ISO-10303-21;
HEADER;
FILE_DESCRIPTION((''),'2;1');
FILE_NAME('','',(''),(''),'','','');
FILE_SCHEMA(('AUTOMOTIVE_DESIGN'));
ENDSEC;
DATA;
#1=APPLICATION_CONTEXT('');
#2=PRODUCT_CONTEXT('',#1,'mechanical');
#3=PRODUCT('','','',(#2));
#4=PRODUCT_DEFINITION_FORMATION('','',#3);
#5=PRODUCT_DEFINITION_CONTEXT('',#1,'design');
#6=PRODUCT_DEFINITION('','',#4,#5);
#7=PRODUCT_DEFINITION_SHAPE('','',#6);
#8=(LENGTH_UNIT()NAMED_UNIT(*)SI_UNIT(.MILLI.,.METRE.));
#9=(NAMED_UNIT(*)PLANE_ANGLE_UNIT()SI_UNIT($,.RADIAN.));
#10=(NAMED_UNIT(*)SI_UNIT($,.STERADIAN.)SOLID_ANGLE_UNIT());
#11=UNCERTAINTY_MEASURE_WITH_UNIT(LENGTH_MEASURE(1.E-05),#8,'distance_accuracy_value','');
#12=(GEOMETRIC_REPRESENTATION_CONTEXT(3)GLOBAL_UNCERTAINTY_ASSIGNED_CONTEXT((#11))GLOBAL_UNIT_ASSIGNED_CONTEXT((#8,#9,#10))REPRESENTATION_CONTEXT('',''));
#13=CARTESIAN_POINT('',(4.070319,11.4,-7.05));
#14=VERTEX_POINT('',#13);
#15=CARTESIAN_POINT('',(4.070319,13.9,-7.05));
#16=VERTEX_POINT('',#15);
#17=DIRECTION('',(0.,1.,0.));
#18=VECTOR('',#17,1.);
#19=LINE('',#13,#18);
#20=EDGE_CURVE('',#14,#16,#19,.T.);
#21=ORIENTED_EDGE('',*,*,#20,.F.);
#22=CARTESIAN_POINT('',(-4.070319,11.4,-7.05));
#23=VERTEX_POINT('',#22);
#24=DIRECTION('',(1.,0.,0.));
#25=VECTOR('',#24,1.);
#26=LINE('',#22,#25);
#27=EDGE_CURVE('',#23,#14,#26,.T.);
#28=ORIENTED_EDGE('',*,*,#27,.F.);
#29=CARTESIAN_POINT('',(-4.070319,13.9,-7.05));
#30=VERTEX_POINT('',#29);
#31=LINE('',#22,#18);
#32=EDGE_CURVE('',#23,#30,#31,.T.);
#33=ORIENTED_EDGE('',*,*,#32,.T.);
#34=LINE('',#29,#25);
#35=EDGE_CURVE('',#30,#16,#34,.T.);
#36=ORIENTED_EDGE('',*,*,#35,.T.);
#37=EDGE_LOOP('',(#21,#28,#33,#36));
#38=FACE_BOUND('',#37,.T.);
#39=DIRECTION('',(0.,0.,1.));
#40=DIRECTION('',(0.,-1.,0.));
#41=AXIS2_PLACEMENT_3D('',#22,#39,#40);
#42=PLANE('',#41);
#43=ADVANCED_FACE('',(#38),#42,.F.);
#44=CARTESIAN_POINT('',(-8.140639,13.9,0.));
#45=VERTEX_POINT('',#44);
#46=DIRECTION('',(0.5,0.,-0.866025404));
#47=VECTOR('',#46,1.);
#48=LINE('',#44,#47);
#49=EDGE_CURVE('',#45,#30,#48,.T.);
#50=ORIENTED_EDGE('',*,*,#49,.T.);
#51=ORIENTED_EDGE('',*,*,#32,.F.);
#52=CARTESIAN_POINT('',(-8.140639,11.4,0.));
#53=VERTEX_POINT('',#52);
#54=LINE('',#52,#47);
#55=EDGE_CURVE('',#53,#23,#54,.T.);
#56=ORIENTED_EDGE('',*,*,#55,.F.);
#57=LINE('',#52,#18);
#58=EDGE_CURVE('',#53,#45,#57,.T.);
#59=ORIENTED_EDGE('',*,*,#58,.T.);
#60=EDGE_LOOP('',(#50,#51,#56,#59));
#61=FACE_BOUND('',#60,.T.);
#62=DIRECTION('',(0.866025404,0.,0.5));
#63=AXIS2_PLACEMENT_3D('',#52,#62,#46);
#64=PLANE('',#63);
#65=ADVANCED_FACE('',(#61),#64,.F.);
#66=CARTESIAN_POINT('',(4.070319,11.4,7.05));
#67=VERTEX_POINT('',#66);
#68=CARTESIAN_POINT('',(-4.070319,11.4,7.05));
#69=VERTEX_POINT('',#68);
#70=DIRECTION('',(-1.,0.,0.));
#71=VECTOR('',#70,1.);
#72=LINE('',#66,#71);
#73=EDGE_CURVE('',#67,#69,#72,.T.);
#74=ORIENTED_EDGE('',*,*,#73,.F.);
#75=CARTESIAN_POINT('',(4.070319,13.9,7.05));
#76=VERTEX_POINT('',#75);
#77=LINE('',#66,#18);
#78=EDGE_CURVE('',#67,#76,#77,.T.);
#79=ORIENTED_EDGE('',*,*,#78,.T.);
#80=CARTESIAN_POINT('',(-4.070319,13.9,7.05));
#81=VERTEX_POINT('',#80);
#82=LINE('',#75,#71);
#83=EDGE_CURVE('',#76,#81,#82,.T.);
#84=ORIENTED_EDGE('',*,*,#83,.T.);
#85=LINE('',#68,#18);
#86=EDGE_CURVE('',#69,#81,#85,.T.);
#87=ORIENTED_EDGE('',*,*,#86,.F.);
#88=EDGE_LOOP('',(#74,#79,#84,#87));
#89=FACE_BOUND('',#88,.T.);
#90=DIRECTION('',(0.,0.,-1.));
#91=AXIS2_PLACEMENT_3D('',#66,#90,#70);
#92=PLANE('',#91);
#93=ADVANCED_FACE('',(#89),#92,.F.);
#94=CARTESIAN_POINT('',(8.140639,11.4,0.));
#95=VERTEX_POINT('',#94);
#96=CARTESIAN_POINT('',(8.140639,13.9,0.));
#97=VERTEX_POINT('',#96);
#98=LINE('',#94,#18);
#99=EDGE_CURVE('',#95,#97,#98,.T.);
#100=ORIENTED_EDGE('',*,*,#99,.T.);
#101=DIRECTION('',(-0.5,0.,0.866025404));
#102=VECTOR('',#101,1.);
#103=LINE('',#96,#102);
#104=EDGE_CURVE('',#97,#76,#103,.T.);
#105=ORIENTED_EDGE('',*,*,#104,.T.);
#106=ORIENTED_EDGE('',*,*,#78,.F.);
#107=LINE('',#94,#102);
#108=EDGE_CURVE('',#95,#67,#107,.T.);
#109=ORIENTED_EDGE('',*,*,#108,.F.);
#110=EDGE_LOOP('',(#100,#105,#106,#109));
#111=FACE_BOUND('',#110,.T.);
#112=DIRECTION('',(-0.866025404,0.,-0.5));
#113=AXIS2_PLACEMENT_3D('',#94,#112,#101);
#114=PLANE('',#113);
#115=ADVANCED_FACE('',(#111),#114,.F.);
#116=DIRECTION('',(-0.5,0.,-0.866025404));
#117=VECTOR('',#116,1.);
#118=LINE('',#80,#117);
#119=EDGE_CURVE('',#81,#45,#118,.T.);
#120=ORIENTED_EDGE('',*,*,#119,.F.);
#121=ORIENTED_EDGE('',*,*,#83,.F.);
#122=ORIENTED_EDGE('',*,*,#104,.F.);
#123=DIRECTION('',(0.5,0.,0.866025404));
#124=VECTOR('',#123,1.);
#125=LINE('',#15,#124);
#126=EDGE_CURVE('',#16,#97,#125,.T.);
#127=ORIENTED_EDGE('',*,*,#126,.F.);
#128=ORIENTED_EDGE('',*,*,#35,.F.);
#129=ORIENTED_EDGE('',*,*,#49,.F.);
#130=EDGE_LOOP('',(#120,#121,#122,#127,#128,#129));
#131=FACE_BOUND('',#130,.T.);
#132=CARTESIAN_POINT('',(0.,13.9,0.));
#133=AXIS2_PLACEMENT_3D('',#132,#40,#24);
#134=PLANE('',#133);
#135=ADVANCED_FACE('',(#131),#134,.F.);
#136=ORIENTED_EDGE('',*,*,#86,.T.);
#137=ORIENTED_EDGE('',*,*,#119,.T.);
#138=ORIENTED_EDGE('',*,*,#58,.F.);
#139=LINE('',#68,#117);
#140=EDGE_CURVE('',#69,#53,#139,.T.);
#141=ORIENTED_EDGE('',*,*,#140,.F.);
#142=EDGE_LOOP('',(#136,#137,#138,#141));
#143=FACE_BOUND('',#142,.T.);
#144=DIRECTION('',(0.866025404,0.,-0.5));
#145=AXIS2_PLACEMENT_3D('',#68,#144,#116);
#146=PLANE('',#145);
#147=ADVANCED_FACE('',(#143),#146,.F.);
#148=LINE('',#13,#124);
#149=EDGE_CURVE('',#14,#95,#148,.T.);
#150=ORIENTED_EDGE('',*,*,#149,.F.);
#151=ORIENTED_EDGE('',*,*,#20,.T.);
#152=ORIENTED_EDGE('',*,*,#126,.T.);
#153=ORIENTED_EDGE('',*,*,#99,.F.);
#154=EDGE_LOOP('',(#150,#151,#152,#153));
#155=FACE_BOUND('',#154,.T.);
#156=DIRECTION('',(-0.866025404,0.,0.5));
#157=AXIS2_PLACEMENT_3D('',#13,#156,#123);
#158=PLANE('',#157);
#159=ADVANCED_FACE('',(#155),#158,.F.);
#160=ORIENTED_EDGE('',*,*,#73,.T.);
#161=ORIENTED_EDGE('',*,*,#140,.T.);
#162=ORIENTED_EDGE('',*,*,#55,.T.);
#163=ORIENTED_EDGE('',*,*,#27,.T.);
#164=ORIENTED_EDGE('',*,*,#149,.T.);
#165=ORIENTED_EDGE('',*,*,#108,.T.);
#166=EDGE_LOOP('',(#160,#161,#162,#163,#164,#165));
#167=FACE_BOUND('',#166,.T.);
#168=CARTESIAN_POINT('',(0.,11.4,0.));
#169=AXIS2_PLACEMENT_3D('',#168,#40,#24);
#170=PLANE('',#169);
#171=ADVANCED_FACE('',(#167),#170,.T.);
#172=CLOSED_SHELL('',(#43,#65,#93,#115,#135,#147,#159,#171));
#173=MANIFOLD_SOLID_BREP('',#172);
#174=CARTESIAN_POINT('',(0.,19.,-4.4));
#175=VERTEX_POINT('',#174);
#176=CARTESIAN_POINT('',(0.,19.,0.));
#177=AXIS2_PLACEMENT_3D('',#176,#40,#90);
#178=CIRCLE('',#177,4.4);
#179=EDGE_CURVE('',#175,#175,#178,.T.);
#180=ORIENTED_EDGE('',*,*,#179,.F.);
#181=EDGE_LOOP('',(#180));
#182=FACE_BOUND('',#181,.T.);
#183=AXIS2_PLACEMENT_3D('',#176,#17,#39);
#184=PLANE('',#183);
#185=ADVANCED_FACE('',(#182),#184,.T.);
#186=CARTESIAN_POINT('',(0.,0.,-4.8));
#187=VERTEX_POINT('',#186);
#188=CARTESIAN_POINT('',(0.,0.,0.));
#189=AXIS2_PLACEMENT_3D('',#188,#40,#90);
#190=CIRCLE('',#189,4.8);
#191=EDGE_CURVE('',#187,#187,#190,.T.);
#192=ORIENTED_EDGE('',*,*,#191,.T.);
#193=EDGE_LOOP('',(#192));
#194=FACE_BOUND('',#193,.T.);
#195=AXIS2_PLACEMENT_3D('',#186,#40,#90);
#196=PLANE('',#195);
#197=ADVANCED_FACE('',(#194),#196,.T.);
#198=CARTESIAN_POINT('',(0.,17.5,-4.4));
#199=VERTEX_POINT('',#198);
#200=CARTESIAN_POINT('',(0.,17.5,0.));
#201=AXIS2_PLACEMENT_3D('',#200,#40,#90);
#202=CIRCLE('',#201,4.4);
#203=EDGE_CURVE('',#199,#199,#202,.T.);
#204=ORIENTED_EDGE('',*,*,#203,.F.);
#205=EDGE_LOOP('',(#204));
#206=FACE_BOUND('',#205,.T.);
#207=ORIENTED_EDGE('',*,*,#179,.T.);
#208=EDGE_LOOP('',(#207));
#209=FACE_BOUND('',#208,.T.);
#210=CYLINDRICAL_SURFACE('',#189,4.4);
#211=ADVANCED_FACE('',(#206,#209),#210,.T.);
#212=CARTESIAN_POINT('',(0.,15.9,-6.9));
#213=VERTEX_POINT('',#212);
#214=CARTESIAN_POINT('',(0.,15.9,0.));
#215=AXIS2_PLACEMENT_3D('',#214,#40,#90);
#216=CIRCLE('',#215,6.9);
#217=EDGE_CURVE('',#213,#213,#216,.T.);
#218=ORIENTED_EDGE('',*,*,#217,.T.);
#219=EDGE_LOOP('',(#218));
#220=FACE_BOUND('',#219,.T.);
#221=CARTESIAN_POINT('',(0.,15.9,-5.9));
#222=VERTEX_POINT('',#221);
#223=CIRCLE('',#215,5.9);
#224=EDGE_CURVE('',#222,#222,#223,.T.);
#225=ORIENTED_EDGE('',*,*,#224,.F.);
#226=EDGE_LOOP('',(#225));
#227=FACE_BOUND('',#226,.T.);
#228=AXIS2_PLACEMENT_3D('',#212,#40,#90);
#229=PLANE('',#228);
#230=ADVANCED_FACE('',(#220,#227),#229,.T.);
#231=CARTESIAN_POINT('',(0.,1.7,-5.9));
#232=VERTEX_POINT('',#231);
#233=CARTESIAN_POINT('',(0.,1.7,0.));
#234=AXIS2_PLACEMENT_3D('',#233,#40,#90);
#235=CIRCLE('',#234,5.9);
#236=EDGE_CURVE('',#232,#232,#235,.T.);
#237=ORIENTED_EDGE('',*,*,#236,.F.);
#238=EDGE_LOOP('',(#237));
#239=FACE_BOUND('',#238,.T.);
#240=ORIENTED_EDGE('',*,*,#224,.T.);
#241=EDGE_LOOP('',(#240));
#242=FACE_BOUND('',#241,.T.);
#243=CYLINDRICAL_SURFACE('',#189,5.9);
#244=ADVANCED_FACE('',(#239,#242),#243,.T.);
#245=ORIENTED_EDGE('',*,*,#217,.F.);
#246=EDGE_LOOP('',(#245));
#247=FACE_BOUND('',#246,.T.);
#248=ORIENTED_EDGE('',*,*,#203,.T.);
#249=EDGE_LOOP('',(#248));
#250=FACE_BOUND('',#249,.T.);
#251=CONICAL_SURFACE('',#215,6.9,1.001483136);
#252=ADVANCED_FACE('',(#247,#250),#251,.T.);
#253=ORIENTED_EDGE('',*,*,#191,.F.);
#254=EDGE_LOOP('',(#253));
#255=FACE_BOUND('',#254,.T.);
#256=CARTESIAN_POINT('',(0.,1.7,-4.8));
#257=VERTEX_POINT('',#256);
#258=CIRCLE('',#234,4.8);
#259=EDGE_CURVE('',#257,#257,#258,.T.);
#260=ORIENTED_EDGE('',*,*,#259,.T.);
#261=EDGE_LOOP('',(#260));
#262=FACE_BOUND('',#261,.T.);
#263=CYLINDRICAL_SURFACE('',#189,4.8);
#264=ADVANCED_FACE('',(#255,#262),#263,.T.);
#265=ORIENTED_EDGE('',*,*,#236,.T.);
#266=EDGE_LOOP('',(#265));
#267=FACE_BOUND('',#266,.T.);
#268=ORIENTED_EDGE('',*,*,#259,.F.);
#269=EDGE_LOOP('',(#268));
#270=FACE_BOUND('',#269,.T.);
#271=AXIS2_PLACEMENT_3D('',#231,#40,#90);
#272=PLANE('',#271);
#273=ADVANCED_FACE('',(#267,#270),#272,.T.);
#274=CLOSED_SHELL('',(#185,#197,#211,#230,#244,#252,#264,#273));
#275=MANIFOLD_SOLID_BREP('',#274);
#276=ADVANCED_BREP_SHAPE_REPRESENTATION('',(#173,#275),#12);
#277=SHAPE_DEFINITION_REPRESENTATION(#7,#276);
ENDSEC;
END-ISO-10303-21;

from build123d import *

# Parameters (mm, degrees)
BOSS_EXTRUDE1_DEPTH = 2.5


with BuildPart() as part:
    # Sketch1 → Revolve1 (revolve)
    with BuildSketch(Plane(origin=(0, 0, 0), x_dir=(0, 0, -1), z_dir=(1, 0, 0))):
        Polygon((0, 0), (0, 19), (4.4, 19), (4.4, 17.5), (6.9, 15.9), (5.9, 15.9), (5.9, 1.7), (4.8, 1.7), (4.8, 0), align=None)
    revolve(axis=Axis((0, 0, 0), (0, 1, 0)))


with BuildPart() as body_2:
    # Sketch2 → Boss-Extrude1 (new body)
    with BuildSketch(Plane.XZ.offset(-13.9)):
        Polygon((-4.070319398, -7.05), (4.070319398, -7.05), (8.140638796, 0), (4.070319398, 7.05), (-4.070319398, 7.05), (-8.140638796, 0), align=None)
    extrude(amount=BOSS_EXTRUDE1_DEPTH)


solid = Compound([part.part, body_2.part])
